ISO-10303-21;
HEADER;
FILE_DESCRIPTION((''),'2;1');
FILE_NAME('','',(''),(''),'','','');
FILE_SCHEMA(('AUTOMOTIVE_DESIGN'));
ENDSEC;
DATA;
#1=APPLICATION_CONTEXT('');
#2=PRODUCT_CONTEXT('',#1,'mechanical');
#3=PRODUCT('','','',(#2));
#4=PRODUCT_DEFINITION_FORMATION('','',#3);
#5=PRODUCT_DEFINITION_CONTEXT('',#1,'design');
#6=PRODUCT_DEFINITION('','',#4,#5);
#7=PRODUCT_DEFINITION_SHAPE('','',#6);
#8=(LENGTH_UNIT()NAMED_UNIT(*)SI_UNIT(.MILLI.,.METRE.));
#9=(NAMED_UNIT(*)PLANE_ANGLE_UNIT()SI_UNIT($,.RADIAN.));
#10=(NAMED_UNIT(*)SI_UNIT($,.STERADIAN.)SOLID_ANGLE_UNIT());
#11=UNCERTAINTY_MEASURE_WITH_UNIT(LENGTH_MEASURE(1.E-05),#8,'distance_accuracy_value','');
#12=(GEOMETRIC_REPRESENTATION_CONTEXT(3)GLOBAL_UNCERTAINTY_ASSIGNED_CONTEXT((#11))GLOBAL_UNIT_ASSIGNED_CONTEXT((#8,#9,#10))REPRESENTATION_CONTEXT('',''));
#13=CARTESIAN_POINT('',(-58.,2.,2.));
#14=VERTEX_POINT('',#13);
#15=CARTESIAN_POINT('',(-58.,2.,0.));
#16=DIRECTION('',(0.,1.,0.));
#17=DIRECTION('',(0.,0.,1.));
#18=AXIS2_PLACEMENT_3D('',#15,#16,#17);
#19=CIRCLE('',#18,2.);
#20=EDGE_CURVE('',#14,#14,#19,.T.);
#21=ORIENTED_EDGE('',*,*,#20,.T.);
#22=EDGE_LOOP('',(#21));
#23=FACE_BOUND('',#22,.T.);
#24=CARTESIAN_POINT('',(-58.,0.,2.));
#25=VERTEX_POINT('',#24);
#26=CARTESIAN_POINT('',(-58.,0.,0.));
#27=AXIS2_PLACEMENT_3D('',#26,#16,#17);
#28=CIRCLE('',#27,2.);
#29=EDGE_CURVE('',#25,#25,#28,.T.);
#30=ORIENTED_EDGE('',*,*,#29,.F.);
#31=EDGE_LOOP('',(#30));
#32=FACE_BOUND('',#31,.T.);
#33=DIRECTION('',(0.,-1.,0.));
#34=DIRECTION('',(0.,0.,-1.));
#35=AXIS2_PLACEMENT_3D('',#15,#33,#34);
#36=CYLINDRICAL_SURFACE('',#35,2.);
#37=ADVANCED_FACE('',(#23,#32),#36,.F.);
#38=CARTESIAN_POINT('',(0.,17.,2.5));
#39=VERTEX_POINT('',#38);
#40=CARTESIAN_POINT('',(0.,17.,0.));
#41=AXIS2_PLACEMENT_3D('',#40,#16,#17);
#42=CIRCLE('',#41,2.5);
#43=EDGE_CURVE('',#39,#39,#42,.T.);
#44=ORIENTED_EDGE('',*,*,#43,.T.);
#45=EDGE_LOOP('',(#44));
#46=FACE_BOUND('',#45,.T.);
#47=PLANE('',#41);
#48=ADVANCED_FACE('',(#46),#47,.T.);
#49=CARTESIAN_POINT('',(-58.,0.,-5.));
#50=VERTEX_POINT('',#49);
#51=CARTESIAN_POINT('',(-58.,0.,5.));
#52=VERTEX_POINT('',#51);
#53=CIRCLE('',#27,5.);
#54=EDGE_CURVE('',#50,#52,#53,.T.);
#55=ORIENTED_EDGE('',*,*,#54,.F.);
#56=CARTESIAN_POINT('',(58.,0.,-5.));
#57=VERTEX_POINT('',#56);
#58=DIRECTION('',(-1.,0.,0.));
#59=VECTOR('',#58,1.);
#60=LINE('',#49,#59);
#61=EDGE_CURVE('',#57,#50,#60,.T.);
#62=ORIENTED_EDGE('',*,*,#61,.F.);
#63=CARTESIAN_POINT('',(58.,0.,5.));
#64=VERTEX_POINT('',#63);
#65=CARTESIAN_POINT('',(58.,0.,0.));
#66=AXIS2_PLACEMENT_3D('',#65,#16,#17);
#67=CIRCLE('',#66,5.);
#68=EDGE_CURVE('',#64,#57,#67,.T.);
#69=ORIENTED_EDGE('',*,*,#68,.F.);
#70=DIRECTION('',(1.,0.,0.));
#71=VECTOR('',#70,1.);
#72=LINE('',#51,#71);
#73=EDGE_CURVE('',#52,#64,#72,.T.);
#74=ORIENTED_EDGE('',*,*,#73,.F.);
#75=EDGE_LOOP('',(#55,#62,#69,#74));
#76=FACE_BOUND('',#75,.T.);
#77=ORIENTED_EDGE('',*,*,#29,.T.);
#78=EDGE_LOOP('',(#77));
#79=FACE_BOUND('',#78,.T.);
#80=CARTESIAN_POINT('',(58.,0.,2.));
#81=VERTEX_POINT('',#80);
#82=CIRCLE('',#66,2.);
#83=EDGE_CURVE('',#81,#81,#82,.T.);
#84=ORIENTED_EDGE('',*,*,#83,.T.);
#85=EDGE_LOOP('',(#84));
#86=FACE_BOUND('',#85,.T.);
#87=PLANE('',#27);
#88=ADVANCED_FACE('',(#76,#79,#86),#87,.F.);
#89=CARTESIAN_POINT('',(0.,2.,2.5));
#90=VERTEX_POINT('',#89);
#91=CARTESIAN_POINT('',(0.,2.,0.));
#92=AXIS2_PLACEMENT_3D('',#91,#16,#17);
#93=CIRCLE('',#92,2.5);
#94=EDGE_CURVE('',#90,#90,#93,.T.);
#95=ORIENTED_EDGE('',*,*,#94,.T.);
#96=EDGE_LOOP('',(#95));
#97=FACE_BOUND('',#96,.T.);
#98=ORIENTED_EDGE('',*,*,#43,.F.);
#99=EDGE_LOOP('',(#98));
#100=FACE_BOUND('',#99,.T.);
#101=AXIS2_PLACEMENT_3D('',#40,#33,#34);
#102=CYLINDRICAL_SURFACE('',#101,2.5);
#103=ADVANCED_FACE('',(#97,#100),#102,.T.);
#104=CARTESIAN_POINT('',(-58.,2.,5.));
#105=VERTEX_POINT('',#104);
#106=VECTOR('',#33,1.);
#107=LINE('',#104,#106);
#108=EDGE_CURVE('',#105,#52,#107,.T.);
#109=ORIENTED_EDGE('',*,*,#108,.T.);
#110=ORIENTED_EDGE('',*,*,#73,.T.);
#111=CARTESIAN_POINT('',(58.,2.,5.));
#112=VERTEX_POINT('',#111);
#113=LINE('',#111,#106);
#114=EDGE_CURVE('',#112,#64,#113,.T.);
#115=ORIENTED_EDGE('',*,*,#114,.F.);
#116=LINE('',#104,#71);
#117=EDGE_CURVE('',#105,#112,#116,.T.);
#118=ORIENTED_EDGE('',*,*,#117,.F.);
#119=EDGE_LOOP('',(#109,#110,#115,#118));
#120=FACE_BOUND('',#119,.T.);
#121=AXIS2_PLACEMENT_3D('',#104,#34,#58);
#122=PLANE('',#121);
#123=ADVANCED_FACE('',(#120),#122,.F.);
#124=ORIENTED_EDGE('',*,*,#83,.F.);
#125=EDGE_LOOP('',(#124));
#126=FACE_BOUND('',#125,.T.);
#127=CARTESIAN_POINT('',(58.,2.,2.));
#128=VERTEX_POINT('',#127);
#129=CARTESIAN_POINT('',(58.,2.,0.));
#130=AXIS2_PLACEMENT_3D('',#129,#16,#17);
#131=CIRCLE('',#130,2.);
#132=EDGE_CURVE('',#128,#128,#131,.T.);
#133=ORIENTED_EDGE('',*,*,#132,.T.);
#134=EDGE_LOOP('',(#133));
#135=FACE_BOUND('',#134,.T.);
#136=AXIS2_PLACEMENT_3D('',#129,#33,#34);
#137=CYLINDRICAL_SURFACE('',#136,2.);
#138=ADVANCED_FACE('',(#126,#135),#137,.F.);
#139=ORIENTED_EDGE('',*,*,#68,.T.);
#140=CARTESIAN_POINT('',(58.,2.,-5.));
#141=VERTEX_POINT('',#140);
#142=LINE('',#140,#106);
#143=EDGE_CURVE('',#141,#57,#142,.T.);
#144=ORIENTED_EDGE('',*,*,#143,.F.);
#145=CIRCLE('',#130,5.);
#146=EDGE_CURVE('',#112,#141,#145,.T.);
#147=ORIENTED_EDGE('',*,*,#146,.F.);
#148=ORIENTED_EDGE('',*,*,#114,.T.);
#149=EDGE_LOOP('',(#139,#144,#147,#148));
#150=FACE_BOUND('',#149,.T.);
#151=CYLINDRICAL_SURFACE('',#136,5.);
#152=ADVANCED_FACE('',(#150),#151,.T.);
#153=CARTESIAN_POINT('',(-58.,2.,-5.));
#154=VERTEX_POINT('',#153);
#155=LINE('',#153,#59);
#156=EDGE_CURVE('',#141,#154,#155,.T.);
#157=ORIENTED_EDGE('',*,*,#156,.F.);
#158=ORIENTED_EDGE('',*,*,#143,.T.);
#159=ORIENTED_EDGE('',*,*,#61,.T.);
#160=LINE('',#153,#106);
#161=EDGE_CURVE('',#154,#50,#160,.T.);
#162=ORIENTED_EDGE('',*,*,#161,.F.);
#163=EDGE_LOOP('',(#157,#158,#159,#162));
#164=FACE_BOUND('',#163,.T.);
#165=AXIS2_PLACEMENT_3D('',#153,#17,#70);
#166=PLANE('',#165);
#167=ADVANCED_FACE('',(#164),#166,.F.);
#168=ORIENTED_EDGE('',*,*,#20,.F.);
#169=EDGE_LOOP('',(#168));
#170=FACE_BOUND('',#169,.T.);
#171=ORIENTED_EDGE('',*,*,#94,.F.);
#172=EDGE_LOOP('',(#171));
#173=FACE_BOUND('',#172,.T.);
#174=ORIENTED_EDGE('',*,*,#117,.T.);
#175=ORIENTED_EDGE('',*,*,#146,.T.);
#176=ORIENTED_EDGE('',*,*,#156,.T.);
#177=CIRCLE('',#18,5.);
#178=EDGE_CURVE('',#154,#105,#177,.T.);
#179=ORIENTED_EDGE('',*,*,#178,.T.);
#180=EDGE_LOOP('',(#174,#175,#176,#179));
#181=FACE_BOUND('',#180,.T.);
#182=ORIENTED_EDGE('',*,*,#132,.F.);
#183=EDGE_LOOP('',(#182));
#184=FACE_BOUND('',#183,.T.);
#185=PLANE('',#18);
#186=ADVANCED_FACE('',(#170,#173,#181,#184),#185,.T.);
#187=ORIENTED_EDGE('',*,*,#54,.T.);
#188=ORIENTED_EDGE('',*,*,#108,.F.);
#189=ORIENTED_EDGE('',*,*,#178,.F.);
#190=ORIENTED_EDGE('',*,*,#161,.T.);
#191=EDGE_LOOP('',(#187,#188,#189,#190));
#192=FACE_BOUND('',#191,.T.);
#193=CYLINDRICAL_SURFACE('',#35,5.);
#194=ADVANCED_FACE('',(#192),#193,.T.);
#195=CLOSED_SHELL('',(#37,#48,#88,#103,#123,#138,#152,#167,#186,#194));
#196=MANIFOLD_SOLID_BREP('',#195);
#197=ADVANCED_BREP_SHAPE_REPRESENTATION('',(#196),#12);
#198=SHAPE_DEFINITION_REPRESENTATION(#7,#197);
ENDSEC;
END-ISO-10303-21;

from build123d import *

# Parameters (mm, degrees)
SKETCH1_R           = 2
BOSS_EXTRUDE1_DEPTH = 2
SKETCH2_R           = 2.5
BOSS_EXTRUDE2_DEPTH = 15


with BuildPart() as part:
    # Sketch1 → Boss-Extrude1 (new body)
    with BuildSketch(Plane(origin=(0, 0, 0), x_dir=(1, 0, 0), z_dir=(0, 1, 0))):
        with BuildLine():
            Line((-58, 5), (58, 5))
            ThreePointArc((58, 5), (63, 0), (58, -5))
            Line((58, -5), (-58, -5))
            ThreePointArc((-58, -5), (-63, 0), (-58, 5))
        make_face()
        with Locations((-58, 0)):
            Circle(SKETCH1_R, mode=Mode.SUBTRACT)
        with Locations((58, 0)):
            Circle(SKETCH1_R, mode=Mode.SUBTRACT)
    extrude(amount=BOSS_EXTRUDE1_DEPTH)

    # Sketch2 → Boss-Extrude2 (add)
    with BuildSketch(Plane(origin=(0, 2, 0), x_dir=(1, 0, 0), z_dir=(0, 1, 0))):
        Circle(SKETCH2_R)
    extrude(amount=BOSS_EXTRUDE2_DEPTH)


solid = part.part
